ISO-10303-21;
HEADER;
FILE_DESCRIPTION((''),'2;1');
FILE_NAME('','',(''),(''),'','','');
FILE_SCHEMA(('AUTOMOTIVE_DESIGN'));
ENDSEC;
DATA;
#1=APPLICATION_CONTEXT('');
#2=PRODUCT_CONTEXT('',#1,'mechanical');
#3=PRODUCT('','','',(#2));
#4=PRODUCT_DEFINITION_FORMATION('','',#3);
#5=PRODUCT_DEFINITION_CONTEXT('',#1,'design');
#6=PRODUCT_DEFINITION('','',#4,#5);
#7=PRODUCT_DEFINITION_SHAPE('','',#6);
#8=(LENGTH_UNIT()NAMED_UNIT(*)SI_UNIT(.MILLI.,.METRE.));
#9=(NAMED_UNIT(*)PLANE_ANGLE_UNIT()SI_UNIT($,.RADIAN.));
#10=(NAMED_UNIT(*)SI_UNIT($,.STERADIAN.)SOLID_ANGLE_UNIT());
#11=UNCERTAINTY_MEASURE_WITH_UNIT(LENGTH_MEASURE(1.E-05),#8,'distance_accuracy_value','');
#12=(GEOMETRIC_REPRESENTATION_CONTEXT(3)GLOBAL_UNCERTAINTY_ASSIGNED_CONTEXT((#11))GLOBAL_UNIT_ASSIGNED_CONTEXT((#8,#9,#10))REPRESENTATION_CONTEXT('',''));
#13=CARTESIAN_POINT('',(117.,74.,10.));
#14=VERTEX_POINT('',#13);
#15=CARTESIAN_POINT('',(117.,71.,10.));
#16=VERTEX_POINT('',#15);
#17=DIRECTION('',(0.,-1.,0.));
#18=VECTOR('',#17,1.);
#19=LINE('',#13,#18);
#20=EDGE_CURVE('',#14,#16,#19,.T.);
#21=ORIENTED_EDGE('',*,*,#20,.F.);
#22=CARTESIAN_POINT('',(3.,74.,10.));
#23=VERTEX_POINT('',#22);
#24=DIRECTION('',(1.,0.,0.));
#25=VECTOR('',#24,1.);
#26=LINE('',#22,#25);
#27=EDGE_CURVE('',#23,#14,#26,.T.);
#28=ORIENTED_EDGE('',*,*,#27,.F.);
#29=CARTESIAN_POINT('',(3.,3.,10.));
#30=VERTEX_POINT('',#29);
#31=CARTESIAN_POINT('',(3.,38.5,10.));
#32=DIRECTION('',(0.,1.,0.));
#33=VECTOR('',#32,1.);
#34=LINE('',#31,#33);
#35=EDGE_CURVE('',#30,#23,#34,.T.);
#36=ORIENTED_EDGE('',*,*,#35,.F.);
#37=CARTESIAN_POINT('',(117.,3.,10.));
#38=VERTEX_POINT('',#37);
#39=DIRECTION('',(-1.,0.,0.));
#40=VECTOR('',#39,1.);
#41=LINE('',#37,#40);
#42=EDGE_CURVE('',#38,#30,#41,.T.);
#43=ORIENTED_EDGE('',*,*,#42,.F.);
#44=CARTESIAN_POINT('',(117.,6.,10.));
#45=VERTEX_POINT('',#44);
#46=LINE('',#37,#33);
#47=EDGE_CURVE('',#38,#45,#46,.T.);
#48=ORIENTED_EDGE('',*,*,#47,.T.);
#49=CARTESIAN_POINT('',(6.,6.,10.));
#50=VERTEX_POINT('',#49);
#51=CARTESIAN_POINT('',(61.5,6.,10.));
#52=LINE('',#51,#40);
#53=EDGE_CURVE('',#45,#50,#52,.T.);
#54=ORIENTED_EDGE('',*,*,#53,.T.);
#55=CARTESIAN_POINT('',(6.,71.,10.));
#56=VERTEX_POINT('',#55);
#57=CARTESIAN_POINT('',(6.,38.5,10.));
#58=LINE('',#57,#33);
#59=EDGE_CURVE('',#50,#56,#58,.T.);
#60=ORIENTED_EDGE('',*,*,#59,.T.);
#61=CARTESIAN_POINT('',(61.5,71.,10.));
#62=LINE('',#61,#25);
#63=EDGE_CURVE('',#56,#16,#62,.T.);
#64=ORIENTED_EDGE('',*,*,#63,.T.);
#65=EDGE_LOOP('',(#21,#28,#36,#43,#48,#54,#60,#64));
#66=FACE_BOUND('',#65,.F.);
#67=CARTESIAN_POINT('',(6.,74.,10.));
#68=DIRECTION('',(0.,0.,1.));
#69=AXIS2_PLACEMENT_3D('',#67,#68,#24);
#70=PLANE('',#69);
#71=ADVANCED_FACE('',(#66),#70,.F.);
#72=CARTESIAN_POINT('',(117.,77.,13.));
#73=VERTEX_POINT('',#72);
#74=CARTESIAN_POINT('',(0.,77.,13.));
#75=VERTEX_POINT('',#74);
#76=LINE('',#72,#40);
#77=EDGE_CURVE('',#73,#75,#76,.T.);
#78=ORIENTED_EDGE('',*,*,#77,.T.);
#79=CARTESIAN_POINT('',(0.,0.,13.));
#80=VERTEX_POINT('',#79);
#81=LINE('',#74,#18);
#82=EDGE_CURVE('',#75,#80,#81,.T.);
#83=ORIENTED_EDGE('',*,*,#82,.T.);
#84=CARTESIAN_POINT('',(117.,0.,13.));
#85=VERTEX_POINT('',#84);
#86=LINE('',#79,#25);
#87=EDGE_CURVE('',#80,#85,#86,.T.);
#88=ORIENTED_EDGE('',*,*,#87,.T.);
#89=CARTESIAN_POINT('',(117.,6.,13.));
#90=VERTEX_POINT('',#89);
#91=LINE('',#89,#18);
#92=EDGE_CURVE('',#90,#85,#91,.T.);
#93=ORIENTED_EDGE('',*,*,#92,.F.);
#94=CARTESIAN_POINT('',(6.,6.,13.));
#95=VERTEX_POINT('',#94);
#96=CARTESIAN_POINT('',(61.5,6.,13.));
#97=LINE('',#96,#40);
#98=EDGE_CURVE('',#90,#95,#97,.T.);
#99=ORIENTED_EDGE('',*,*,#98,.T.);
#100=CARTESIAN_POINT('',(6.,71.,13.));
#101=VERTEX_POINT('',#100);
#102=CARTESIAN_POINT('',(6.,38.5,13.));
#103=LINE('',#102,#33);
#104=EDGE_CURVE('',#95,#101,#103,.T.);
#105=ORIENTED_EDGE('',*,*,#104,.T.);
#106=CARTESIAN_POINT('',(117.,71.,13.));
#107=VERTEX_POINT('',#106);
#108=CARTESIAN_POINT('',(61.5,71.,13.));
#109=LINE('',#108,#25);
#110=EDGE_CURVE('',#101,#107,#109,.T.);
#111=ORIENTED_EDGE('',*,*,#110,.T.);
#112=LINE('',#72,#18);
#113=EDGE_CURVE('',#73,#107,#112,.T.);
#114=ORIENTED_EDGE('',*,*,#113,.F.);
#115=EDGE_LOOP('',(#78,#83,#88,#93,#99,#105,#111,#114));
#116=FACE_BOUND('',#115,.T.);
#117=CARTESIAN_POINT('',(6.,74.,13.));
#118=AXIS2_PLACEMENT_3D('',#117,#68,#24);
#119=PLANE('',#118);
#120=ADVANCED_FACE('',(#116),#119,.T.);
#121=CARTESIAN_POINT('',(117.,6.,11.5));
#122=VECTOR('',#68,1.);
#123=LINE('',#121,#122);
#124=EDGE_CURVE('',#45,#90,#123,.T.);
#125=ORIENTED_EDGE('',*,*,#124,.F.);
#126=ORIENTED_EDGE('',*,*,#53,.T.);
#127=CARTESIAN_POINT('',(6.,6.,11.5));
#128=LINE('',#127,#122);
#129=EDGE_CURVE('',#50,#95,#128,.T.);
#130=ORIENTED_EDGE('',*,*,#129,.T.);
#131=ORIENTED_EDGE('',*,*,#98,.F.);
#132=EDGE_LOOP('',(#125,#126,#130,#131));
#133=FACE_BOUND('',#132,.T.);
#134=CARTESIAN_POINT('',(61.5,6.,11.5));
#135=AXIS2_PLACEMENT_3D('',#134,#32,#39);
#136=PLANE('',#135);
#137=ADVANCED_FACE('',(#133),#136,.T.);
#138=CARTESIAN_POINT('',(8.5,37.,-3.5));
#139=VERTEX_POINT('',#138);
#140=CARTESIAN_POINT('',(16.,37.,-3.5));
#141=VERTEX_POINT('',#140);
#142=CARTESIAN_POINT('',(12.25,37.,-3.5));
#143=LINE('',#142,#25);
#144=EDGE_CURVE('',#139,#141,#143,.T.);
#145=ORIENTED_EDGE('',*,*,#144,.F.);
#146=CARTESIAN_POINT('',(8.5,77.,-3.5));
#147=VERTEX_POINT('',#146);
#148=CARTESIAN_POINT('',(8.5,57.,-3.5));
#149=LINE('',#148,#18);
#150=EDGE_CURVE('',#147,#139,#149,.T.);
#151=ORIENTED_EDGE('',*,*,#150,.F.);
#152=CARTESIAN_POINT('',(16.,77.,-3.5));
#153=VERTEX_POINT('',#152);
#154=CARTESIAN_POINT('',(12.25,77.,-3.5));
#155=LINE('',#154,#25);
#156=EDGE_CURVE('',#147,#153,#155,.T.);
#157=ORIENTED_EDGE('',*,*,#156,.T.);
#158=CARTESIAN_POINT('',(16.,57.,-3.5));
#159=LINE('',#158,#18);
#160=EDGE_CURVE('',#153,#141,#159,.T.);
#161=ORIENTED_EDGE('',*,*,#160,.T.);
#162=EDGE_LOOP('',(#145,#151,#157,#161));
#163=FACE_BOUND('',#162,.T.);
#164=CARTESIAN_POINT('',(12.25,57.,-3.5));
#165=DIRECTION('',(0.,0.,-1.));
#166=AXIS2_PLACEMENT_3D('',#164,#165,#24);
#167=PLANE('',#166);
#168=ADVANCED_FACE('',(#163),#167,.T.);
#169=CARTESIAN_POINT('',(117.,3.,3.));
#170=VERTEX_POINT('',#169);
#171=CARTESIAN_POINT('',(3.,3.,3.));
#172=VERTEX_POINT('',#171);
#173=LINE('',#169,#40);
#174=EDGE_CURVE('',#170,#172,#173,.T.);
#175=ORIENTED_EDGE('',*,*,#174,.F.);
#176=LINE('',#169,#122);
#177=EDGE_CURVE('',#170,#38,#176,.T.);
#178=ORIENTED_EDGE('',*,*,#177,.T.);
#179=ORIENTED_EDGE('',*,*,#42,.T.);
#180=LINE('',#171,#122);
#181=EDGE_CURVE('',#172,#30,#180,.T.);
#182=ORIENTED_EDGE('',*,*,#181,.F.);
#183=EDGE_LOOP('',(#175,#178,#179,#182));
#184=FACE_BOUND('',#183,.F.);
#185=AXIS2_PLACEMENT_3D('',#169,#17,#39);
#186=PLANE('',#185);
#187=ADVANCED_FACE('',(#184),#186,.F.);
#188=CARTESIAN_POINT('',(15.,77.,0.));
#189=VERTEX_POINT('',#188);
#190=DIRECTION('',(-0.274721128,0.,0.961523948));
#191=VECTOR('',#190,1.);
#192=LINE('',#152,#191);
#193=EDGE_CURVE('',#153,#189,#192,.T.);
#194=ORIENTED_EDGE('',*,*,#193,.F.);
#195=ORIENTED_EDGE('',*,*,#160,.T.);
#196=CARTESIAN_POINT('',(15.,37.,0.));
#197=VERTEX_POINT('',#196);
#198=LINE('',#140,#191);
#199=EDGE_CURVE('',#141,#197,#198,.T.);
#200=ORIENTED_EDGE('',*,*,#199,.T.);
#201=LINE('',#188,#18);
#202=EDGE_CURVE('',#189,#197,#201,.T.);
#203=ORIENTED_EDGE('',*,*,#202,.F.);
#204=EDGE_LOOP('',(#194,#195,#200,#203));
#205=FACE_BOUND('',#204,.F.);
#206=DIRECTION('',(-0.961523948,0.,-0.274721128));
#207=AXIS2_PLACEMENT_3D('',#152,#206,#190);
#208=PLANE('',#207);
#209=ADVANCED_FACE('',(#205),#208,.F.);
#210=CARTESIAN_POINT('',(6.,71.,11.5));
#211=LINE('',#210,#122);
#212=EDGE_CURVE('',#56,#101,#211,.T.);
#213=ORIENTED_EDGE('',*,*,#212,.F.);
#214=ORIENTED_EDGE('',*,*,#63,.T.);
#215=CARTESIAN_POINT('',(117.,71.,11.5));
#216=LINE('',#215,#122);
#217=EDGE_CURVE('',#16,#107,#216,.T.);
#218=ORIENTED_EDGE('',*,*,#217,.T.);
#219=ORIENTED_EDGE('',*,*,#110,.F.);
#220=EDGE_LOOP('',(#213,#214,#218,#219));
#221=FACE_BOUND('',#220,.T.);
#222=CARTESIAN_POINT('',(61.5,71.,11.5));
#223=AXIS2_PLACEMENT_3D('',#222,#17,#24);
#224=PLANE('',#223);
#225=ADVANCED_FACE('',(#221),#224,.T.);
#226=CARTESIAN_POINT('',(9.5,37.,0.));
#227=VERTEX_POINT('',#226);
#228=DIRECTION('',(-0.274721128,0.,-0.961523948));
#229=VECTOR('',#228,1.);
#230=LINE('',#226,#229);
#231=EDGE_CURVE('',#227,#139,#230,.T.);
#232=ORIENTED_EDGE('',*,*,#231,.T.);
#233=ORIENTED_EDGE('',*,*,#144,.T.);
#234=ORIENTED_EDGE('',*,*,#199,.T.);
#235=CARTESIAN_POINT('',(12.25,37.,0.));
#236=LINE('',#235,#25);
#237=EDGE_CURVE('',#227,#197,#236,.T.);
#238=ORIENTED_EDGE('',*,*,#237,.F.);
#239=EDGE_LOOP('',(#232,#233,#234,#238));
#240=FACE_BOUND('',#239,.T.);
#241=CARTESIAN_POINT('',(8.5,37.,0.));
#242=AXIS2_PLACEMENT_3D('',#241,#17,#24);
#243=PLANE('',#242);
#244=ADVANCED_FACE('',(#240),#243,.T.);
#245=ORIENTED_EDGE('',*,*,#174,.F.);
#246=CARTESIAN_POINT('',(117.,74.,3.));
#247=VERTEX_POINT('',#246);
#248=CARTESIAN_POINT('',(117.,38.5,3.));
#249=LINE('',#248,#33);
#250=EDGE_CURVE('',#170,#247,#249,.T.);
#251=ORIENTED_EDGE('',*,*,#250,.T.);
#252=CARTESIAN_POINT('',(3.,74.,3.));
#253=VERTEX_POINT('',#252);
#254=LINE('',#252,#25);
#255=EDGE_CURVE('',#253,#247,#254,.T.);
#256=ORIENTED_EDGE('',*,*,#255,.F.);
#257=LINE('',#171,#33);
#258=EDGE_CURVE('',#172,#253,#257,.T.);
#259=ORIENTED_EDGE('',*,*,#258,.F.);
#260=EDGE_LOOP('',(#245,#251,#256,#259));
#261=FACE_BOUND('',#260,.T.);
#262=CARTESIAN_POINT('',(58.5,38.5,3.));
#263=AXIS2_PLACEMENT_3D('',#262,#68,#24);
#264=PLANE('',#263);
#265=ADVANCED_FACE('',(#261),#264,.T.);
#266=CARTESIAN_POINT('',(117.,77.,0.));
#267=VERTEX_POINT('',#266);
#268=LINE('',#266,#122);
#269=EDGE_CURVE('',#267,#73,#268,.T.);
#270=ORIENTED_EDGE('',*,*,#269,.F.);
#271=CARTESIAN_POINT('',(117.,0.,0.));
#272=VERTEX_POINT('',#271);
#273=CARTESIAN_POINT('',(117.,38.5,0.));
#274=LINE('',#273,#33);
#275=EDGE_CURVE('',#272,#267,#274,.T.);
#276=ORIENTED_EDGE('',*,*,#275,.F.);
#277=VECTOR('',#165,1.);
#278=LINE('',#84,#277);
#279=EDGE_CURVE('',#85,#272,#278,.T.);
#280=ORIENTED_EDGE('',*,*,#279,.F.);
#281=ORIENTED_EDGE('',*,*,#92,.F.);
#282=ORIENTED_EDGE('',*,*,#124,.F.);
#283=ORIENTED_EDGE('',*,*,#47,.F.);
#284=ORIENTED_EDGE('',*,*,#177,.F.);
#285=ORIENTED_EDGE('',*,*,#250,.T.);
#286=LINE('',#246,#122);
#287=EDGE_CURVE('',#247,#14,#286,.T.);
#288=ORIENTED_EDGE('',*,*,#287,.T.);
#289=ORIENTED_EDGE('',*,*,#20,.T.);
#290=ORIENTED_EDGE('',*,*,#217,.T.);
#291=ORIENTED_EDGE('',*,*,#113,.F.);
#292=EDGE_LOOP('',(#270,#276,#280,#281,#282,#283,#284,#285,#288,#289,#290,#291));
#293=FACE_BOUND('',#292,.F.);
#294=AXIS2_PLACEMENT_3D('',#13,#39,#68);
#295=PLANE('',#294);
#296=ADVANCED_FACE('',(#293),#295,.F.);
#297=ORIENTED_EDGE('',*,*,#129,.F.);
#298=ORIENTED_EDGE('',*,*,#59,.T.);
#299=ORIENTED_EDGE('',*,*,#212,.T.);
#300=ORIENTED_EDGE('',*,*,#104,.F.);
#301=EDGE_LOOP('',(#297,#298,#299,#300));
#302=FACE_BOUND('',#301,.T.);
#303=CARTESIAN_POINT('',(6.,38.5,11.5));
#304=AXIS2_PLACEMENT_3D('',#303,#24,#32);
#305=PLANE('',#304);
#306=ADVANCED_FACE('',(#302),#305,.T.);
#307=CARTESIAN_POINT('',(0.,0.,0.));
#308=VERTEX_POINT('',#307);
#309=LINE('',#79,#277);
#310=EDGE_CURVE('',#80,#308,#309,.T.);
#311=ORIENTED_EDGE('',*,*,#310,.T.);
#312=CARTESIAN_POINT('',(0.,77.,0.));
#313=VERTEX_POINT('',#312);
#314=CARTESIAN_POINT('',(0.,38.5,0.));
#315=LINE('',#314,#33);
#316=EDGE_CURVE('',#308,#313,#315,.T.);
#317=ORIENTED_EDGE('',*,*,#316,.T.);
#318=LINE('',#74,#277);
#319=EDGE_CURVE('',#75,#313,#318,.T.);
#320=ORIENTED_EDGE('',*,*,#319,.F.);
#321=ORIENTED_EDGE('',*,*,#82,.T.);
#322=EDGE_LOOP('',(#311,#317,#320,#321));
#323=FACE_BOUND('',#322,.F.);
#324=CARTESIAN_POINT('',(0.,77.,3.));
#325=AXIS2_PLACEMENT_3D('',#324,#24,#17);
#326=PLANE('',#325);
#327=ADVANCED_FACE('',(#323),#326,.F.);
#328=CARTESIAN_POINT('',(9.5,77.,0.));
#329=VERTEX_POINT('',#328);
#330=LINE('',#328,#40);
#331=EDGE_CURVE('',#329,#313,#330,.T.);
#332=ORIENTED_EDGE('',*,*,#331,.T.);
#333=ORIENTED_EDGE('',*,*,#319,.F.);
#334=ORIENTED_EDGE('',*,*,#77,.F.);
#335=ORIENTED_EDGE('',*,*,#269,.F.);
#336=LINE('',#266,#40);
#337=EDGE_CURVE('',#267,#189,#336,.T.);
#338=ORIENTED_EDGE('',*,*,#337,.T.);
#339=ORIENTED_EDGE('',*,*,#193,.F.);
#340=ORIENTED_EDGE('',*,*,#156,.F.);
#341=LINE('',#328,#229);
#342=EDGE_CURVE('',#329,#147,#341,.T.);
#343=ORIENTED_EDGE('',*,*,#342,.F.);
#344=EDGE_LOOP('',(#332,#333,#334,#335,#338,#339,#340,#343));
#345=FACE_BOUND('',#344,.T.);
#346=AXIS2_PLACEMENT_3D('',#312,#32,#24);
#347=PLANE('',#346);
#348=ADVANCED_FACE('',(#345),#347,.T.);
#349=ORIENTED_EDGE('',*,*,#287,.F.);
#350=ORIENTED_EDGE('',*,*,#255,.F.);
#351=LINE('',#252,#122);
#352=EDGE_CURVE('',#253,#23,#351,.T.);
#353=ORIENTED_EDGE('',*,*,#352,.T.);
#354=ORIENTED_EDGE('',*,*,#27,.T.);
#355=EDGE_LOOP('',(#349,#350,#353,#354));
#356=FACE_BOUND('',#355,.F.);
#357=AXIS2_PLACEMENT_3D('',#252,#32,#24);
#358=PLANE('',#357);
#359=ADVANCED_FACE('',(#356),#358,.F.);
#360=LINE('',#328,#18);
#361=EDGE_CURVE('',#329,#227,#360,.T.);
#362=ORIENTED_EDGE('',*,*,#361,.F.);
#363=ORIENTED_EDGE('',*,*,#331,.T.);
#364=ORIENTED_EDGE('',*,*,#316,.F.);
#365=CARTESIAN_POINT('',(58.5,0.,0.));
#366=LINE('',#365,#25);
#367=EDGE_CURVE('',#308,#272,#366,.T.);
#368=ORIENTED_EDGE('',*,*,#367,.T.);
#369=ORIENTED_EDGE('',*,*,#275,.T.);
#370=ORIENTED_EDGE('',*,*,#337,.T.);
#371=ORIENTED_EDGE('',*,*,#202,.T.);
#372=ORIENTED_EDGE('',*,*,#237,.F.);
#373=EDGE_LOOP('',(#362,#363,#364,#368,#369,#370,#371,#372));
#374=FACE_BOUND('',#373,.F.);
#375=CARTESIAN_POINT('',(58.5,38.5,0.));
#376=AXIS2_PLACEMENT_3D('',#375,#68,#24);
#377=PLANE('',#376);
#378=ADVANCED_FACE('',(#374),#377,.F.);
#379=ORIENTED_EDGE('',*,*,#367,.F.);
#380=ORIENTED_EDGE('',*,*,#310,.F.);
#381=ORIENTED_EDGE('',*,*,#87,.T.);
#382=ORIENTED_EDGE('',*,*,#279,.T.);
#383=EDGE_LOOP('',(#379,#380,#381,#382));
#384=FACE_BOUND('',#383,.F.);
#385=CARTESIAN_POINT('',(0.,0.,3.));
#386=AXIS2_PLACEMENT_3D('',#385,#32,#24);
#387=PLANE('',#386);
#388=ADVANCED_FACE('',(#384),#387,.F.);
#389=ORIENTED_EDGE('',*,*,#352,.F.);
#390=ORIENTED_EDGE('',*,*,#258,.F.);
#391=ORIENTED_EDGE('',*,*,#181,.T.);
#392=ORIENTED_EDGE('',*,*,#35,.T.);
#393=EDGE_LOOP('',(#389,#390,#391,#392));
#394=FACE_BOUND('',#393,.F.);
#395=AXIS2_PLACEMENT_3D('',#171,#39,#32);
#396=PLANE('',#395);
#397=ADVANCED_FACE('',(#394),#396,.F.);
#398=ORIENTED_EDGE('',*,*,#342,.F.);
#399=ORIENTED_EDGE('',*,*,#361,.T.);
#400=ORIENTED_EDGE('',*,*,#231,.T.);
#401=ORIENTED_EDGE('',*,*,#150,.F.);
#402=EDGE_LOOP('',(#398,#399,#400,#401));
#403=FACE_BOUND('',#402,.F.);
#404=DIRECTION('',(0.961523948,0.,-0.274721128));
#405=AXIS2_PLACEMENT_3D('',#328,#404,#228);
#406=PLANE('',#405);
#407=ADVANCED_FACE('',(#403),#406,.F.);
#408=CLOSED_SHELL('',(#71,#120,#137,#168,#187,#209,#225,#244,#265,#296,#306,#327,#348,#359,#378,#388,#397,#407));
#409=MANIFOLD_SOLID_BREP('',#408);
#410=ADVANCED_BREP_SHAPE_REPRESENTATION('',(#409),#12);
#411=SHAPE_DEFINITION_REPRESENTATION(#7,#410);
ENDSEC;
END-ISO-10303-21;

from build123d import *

# Parameters (mm, degrees)
F0_W      = 117
F0_H      = 77
F1_DEPTH  = 3
F3_DEPTH  = 10
F4_W      = 71
F4_H      = 3
F5_DEPTH  = 3
F6_W      = 111
F6_H      = 3
F7_DEPTH  = 3
F8_W      = 111
F8_H      = 3
F9_DEPTH  = 3
F10_W     = 7.5
F10_H     = 40
F11_DEPTH = 3.5
F13_DEPTH = 40
F14_DEPTH = 40


with BuildPart() as f1:
    # F0 (on Top) → F1 (new body)
    with BuildSketch(Plane.XY):
        with Locations((58.5, 38.5)):
            Rectangle(F0_W, F0_H)
    extrude(amount=F1_DEPTH)

    # F2 (on face) → F3 (join)
    with BuildSketch(Plane.XY.offset(3)):
        Polygon((117, 0), (117, 3), (3, 3), (3, 74), (117, 74), (117, 77), (0, 77), (0, 0), align=None)
    extrude(amount=F3_DEPTH)

    # F4 (on face) → F5 (join)
    with BuildSketch(Plane.YZ.offset(3)):
        with Locations((38.5, 11.5)):
            Rectangle(F4_W, F4_H)
    extrude(amount=F5_DEPTH)

    # F6 (on face) → F7 (join)
    with BuildSketch(Plane(origin=(0, 3, 0), x_dir=(-1, 0, 0), z_dir=(0, 1, 0))):
        with Locations((-61.5, 11.5)):
            Rectangle(F6_W, F6_H)
    extrude(amount=F7_DEPTH)

    # F8 (on face) → F9 (join)
    with BuildSketch(Plane.XZ.offset(-74)):
        with Locations((61.5, 11.5)):
            Rectangle(F8_W, F8_H)
    extrude(amount=F9_DEPTH)

    # F10 (on face) → F11 (join)
    with BuildSketch(Plane(origin=(0, 0, 0), x_dir=(1, 0, 0), z_dir=(0, 0, -1))):
        with Locations((12.25, -57)):
            Rectangle(F10_W, F10_H)
    extrude(amount=F11_DEPTH)

    # F12 (on face) → F13 (cut)
    with BuildSketch(Plane(origin=(0, 77, 0), x_dir=(-1, 0, 0), z_dir=(0, 1, 0))):
        Polygon((-16, 0), (-16, -3.5), (-15, 0), align=None)
    extrude(amount=-F13_DEPTH, mode=Mode.SUBTRACT)

    # F12 (on face) → F14 (cut)
    with BuildSketch(Plane(origin=(0, 77, 0), x_dir=(-1, 0, 0), z_dir=(0, 1, 0))):
        Polygon((-9.5, 0), (-8.5, -3.5), (-8.5, 0), align=None)
    extrude(amount=-F14_DEPTH, mode=Mode.SUBTRACT)


solid = f1.part
